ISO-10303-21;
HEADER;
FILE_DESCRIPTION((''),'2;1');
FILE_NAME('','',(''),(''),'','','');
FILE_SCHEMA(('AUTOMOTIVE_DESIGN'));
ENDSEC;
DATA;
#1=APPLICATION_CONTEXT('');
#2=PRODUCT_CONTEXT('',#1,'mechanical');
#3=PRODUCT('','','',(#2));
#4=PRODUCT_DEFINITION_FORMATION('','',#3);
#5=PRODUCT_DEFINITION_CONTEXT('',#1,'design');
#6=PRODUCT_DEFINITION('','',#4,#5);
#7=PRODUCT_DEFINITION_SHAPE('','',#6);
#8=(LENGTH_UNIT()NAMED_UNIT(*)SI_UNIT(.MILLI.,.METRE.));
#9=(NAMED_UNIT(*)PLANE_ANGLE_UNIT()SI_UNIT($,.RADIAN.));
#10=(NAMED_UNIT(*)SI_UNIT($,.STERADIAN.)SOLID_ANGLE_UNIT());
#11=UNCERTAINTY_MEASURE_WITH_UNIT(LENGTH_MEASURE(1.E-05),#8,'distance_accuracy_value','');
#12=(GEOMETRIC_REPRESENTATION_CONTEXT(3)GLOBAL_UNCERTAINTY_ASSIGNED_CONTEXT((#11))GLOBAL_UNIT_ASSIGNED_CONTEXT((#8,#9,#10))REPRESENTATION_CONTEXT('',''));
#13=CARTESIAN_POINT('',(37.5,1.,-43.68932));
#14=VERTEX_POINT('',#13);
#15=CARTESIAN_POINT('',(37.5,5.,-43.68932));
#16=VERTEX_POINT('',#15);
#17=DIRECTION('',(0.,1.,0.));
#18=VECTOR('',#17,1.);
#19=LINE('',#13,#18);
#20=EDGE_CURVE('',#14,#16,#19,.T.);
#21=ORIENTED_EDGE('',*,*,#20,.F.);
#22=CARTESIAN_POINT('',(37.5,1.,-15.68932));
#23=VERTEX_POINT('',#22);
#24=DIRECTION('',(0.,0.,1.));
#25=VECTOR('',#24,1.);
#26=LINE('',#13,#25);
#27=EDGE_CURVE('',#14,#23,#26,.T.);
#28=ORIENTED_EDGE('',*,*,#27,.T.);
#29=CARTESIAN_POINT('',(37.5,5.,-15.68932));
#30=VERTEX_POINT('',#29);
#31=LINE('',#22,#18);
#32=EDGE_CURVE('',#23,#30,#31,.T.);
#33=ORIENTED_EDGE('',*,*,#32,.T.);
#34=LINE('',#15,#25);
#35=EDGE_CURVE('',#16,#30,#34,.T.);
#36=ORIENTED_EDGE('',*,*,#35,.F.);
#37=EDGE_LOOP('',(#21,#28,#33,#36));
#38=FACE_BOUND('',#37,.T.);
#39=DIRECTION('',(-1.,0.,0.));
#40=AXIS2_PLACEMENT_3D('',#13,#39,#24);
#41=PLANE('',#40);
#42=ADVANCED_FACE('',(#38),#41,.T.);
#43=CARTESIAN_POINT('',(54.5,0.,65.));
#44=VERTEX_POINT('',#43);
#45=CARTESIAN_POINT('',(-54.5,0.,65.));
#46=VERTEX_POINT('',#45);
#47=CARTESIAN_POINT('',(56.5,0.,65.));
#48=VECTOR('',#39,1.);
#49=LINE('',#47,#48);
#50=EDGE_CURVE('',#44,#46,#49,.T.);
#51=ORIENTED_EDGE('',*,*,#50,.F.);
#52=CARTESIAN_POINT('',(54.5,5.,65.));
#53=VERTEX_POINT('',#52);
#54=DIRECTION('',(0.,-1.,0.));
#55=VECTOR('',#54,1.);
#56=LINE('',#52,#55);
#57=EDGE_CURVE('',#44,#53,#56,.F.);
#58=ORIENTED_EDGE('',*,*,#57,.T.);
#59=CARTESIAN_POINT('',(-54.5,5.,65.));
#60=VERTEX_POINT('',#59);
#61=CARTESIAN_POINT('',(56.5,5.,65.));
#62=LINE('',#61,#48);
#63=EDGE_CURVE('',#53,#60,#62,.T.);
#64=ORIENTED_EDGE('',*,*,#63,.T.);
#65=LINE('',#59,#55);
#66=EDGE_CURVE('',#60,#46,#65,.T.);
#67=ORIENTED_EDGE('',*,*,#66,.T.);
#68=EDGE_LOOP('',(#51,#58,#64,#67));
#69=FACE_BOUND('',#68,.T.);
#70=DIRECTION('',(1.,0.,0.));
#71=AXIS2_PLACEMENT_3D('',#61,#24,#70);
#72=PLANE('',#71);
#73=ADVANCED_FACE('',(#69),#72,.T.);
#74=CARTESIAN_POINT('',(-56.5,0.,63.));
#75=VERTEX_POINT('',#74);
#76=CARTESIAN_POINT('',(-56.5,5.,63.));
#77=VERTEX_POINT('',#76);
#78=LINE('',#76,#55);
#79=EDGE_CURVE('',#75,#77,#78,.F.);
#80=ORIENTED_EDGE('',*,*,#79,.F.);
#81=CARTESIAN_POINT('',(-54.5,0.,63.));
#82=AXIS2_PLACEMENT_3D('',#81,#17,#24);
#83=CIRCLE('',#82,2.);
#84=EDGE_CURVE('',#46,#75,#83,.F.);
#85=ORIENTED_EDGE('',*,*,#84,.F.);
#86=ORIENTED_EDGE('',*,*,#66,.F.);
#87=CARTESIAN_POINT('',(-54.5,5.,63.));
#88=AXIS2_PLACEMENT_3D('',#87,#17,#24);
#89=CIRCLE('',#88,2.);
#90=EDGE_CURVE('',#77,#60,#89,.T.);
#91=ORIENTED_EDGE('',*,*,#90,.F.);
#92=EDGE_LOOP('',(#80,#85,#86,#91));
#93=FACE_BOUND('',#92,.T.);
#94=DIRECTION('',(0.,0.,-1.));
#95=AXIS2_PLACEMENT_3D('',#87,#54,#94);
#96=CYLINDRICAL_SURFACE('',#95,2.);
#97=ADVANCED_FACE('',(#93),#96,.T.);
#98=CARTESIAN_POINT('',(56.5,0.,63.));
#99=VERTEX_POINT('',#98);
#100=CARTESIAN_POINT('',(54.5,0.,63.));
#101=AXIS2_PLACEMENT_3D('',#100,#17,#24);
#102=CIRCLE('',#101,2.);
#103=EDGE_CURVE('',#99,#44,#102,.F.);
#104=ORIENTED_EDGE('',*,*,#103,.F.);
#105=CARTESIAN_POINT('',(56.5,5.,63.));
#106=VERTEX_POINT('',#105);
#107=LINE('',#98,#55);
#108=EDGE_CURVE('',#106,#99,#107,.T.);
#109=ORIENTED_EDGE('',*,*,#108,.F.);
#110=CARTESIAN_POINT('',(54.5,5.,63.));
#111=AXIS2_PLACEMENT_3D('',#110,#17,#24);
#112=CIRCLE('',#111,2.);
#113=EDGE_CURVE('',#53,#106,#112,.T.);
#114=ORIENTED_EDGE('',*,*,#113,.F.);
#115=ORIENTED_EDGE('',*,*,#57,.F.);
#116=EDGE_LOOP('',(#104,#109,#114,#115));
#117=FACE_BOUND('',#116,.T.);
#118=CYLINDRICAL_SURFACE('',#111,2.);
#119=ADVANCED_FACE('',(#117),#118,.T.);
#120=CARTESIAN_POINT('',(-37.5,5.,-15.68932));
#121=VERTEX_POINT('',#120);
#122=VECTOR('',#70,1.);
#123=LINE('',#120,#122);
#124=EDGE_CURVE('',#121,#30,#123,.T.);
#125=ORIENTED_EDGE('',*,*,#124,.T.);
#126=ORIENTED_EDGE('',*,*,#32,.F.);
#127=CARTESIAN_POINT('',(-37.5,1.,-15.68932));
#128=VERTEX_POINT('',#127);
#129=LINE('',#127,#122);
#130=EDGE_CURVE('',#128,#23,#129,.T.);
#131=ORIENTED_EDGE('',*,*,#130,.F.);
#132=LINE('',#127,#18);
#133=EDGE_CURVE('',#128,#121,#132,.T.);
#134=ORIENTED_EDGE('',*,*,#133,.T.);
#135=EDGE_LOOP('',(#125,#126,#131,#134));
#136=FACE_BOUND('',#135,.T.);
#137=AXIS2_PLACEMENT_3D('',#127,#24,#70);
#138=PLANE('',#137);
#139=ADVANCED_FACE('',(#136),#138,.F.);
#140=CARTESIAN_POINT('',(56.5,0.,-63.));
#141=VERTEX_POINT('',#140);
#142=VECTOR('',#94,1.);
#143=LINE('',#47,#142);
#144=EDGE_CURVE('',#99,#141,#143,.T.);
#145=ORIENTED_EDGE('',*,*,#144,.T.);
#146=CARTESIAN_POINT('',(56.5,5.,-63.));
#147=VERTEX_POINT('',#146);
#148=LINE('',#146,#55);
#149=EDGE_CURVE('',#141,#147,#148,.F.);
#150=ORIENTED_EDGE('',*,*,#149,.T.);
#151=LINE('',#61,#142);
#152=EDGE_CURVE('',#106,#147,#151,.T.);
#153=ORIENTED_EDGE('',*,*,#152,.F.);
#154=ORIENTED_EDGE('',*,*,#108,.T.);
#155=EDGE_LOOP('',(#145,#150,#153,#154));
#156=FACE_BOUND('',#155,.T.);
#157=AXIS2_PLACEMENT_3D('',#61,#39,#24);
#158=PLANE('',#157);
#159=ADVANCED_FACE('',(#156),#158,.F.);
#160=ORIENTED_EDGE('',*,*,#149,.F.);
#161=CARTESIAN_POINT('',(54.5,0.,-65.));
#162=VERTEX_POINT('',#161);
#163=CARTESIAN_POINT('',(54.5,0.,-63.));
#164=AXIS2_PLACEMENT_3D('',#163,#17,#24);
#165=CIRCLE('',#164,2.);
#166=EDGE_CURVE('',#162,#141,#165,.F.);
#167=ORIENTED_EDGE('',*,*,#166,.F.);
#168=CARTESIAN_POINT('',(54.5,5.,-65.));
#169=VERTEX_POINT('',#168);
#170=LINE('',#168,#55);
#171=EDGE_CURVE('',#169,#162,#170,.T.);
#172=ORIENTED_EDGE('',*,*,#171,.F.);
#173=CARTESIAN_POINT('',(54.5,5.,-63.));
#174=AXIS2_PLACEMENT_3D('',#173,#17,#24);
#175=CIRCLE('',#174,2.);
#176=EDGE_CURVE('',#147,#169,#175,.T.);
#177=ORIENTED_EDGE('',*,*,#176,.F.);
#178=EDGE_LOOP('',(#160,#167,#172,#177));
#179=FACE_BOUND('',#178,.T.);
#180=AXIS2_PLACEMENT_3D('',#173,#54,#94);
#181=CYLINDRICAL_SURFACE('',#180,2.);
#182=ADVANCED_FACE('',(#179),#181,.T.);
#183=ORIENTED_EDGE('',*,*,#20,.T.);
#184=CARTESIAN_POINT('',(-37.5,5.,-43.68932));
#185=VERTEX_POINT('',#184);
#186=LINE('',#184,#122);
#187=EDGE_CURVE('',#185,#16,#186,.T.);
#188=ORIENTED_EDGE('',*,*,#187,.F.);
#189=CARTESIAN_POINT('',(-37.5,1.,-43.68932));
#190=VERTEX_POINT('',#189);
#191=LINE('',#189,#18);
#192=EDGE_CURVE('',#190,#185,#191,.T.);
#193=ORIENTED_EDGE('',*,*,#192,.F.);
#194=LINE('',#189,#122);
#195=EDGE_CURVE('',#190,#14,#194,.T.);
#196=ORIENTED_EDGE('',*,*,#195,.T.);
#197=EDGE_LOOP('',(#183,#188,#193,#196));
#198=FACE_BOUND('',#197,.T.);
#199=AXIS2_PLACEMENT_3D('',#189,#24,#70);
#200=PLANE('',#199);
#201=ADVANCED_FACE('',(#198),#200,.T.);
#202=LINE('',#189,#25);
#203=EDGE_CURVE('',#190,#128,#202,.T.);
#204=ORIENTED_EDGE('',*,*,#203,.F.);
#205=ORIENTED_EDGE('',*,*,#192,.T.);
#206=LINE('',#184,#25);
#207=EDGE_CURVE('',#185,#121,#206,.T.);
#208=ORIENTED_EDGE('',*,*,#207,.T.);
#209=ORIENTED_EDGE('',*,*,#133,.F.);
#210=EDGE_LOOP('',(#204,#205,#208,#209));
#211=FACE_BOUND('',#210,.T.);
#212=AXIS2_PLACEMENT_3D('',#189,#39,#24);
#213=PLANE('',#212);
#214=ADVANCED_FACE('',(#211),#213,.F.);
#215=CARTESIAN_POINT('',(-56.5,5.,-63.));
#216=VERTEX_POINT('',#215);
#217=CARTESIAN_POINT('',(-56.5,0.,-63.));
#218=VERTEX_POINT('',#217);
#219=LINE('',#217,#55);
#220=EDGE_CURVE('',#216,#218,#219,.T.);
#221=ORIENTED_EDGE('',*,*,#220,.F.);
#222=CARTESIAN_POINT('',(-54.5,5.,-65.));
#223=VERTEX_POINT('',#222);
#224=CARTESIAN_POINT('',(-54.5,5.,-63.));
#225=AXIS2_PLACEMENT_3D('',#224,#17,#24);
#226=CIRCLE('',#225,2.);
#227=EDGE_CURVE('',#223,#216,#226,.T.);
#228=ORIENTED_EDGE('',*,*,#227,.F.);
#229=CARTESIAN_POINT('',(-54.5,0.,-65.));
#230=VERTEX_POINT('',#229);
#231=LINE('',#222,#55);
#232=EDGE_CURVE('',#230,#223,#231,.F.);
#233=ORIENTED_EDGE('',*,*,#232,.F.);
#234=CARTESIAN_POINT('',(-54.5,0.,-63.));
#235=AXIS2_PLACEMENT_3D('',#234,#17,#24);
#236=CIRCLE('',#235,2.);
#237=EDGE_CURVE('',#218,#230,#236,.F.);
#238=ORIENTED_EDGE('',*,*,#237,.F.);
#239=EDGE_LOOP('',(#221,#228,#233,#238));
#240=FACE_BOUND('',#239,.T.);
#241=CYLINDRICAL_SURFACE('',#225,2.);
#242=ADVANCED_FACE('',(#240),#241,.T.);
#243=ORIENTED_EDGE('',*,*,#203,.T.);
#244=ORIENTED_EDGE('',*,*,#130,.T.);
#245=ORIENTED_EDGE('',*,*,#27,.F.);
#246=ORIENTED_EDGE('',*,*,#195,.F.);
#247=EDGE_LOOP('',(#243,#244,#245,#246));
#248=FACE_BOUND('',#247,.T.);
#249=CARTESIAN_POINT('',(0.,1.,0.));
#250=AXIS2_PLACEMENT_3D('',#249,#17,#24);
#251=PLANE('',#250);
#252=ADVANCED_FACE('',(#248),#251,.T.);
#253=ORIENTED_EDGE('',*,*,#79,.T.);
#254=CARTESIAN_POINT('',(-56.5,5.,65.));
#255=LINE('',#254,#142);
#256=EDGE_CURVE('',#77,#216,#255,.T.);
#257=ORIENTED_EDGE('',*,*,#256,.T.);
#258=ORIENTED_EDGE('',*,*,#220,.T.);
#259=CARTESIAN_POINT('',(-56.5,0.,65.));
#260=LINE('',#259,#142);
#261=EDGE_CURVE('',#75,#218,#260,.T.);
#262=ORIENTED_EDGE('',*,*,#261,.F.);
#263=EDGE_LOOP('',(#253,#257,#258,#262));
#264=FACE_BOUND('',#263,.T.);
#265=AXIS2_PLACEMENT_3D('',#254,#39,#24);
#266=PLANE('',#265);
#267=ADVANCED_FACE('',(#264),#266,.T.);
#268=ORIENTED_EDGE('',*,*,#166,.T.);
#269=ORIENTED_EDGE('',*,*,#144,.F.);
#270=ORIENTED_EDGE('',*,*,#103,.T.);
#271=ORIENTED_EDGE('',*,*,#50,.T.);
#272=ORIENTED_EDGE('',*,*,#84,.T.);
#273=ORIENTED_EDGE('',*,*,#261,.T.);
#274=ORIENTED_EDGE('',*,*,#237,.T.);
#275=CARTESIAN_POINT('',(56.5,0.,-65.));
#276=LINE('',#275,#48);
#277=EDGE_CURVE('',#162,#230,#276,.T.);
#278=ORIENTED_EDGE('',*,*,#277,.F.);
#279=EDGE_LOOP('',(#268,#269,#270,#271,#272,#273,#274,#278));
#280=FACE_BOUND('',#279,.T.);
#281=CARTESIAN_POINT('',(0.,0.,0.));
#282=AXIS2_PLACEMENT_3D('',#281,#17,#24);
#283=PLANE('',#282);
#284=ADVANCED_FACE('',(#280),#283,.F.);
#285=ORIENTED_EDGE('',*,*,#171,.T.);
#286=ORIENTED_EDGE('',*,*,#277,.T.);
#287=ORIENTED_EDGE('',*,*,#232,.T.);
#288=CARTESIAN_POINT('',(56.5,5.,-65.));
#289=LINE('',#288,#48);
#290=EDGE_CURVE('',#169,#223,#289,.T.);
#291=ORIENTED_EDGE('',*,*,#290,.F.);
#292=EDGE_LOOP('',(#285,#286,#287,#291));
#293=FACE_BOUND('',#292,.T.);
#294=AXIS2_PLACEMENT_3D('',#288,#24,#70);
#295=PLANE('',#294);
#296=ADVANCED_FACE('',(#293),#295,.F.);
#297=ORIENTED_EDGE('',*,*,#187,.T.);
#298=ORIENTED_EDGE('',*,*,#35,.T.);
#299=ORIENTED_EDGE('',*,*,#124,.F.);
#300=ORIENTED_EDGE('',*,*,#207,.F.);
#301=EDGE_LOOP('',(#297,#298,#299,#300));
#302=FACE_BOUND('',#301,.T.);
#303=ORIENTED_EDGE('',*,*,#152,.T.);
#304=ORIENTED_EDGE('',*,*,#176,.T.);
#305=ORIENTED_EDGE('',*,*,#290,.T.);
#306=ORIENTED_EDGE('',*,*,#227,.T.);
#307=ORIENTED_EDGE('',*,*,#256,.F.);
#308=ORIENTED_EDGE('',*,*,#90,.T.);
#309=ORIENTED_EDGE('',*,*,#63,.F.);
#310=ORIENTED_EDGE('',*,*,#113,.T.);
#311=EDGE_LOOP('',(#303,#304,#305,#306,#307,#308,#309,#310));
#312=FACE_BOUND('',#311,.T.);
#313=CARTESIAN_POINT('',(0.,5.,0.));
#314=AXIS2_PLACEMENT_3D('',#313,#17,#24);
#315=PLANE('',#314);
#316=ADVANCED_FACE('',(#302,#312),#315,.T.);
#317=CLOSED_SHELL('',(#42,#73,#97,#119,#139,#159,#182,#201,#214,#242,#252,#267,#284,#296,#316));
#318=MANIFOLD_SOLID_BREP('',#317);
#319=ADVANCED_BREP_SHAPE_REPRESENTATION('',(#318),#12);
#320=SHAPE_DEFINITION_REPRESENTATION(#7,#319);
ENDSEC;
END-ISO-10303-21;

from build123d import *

# Parameters (mm, degrees)
SKETCH1_W           = 113
SKETCH1_H           = 130
BOSS_EXTRUDE1_DEPTH = 5
FILLET1_R           = 2
SKETCH3_W           = 75
SKETCH3_H           = 28
CUT_EXTRUDE1_DEPTH  = 4


with BuildPart() as part:
    # Sketch1 → Boss-Extrude1 (new body)
    with BuildSketch(Plane(origin=(0, 0, 0), x_dir=(1, 0, 0), z_dir=(0, 1, 0))):
        Rectangle(SKETCH1_W, SKETCH1_H)
    extrude(amount=BOSS_EXTRUDE1_DEPTH)

    # Fillet1
    fillet1_edges = [part.edges().sort_by_distance(p)[0] for p in [
        (56.5, 2.5, 65),
        (-56.5, 2.5, 65),
        (-56.5, 2.5, -65),
        (56.5, 2.5, -65),
    ]]
    fillet(fillet1_edges, radius=FILLET1_R)

    # Sketch3 → Cut-Extrude1 (cut)
    with BuildSketch(Plane(origin=(0, 5, 0), x_dir=(1, 0, 0), z_dir=(0, 1, 0))):
        with Locations((0, 29.689320388)):
            Rectangle(SKETCH3_W, SKETCH3_H)
    extrude(amount=-CUT_EXTRUDE1_DEPTH, mode=Mode.SUBTRACT)


solid = part.part
